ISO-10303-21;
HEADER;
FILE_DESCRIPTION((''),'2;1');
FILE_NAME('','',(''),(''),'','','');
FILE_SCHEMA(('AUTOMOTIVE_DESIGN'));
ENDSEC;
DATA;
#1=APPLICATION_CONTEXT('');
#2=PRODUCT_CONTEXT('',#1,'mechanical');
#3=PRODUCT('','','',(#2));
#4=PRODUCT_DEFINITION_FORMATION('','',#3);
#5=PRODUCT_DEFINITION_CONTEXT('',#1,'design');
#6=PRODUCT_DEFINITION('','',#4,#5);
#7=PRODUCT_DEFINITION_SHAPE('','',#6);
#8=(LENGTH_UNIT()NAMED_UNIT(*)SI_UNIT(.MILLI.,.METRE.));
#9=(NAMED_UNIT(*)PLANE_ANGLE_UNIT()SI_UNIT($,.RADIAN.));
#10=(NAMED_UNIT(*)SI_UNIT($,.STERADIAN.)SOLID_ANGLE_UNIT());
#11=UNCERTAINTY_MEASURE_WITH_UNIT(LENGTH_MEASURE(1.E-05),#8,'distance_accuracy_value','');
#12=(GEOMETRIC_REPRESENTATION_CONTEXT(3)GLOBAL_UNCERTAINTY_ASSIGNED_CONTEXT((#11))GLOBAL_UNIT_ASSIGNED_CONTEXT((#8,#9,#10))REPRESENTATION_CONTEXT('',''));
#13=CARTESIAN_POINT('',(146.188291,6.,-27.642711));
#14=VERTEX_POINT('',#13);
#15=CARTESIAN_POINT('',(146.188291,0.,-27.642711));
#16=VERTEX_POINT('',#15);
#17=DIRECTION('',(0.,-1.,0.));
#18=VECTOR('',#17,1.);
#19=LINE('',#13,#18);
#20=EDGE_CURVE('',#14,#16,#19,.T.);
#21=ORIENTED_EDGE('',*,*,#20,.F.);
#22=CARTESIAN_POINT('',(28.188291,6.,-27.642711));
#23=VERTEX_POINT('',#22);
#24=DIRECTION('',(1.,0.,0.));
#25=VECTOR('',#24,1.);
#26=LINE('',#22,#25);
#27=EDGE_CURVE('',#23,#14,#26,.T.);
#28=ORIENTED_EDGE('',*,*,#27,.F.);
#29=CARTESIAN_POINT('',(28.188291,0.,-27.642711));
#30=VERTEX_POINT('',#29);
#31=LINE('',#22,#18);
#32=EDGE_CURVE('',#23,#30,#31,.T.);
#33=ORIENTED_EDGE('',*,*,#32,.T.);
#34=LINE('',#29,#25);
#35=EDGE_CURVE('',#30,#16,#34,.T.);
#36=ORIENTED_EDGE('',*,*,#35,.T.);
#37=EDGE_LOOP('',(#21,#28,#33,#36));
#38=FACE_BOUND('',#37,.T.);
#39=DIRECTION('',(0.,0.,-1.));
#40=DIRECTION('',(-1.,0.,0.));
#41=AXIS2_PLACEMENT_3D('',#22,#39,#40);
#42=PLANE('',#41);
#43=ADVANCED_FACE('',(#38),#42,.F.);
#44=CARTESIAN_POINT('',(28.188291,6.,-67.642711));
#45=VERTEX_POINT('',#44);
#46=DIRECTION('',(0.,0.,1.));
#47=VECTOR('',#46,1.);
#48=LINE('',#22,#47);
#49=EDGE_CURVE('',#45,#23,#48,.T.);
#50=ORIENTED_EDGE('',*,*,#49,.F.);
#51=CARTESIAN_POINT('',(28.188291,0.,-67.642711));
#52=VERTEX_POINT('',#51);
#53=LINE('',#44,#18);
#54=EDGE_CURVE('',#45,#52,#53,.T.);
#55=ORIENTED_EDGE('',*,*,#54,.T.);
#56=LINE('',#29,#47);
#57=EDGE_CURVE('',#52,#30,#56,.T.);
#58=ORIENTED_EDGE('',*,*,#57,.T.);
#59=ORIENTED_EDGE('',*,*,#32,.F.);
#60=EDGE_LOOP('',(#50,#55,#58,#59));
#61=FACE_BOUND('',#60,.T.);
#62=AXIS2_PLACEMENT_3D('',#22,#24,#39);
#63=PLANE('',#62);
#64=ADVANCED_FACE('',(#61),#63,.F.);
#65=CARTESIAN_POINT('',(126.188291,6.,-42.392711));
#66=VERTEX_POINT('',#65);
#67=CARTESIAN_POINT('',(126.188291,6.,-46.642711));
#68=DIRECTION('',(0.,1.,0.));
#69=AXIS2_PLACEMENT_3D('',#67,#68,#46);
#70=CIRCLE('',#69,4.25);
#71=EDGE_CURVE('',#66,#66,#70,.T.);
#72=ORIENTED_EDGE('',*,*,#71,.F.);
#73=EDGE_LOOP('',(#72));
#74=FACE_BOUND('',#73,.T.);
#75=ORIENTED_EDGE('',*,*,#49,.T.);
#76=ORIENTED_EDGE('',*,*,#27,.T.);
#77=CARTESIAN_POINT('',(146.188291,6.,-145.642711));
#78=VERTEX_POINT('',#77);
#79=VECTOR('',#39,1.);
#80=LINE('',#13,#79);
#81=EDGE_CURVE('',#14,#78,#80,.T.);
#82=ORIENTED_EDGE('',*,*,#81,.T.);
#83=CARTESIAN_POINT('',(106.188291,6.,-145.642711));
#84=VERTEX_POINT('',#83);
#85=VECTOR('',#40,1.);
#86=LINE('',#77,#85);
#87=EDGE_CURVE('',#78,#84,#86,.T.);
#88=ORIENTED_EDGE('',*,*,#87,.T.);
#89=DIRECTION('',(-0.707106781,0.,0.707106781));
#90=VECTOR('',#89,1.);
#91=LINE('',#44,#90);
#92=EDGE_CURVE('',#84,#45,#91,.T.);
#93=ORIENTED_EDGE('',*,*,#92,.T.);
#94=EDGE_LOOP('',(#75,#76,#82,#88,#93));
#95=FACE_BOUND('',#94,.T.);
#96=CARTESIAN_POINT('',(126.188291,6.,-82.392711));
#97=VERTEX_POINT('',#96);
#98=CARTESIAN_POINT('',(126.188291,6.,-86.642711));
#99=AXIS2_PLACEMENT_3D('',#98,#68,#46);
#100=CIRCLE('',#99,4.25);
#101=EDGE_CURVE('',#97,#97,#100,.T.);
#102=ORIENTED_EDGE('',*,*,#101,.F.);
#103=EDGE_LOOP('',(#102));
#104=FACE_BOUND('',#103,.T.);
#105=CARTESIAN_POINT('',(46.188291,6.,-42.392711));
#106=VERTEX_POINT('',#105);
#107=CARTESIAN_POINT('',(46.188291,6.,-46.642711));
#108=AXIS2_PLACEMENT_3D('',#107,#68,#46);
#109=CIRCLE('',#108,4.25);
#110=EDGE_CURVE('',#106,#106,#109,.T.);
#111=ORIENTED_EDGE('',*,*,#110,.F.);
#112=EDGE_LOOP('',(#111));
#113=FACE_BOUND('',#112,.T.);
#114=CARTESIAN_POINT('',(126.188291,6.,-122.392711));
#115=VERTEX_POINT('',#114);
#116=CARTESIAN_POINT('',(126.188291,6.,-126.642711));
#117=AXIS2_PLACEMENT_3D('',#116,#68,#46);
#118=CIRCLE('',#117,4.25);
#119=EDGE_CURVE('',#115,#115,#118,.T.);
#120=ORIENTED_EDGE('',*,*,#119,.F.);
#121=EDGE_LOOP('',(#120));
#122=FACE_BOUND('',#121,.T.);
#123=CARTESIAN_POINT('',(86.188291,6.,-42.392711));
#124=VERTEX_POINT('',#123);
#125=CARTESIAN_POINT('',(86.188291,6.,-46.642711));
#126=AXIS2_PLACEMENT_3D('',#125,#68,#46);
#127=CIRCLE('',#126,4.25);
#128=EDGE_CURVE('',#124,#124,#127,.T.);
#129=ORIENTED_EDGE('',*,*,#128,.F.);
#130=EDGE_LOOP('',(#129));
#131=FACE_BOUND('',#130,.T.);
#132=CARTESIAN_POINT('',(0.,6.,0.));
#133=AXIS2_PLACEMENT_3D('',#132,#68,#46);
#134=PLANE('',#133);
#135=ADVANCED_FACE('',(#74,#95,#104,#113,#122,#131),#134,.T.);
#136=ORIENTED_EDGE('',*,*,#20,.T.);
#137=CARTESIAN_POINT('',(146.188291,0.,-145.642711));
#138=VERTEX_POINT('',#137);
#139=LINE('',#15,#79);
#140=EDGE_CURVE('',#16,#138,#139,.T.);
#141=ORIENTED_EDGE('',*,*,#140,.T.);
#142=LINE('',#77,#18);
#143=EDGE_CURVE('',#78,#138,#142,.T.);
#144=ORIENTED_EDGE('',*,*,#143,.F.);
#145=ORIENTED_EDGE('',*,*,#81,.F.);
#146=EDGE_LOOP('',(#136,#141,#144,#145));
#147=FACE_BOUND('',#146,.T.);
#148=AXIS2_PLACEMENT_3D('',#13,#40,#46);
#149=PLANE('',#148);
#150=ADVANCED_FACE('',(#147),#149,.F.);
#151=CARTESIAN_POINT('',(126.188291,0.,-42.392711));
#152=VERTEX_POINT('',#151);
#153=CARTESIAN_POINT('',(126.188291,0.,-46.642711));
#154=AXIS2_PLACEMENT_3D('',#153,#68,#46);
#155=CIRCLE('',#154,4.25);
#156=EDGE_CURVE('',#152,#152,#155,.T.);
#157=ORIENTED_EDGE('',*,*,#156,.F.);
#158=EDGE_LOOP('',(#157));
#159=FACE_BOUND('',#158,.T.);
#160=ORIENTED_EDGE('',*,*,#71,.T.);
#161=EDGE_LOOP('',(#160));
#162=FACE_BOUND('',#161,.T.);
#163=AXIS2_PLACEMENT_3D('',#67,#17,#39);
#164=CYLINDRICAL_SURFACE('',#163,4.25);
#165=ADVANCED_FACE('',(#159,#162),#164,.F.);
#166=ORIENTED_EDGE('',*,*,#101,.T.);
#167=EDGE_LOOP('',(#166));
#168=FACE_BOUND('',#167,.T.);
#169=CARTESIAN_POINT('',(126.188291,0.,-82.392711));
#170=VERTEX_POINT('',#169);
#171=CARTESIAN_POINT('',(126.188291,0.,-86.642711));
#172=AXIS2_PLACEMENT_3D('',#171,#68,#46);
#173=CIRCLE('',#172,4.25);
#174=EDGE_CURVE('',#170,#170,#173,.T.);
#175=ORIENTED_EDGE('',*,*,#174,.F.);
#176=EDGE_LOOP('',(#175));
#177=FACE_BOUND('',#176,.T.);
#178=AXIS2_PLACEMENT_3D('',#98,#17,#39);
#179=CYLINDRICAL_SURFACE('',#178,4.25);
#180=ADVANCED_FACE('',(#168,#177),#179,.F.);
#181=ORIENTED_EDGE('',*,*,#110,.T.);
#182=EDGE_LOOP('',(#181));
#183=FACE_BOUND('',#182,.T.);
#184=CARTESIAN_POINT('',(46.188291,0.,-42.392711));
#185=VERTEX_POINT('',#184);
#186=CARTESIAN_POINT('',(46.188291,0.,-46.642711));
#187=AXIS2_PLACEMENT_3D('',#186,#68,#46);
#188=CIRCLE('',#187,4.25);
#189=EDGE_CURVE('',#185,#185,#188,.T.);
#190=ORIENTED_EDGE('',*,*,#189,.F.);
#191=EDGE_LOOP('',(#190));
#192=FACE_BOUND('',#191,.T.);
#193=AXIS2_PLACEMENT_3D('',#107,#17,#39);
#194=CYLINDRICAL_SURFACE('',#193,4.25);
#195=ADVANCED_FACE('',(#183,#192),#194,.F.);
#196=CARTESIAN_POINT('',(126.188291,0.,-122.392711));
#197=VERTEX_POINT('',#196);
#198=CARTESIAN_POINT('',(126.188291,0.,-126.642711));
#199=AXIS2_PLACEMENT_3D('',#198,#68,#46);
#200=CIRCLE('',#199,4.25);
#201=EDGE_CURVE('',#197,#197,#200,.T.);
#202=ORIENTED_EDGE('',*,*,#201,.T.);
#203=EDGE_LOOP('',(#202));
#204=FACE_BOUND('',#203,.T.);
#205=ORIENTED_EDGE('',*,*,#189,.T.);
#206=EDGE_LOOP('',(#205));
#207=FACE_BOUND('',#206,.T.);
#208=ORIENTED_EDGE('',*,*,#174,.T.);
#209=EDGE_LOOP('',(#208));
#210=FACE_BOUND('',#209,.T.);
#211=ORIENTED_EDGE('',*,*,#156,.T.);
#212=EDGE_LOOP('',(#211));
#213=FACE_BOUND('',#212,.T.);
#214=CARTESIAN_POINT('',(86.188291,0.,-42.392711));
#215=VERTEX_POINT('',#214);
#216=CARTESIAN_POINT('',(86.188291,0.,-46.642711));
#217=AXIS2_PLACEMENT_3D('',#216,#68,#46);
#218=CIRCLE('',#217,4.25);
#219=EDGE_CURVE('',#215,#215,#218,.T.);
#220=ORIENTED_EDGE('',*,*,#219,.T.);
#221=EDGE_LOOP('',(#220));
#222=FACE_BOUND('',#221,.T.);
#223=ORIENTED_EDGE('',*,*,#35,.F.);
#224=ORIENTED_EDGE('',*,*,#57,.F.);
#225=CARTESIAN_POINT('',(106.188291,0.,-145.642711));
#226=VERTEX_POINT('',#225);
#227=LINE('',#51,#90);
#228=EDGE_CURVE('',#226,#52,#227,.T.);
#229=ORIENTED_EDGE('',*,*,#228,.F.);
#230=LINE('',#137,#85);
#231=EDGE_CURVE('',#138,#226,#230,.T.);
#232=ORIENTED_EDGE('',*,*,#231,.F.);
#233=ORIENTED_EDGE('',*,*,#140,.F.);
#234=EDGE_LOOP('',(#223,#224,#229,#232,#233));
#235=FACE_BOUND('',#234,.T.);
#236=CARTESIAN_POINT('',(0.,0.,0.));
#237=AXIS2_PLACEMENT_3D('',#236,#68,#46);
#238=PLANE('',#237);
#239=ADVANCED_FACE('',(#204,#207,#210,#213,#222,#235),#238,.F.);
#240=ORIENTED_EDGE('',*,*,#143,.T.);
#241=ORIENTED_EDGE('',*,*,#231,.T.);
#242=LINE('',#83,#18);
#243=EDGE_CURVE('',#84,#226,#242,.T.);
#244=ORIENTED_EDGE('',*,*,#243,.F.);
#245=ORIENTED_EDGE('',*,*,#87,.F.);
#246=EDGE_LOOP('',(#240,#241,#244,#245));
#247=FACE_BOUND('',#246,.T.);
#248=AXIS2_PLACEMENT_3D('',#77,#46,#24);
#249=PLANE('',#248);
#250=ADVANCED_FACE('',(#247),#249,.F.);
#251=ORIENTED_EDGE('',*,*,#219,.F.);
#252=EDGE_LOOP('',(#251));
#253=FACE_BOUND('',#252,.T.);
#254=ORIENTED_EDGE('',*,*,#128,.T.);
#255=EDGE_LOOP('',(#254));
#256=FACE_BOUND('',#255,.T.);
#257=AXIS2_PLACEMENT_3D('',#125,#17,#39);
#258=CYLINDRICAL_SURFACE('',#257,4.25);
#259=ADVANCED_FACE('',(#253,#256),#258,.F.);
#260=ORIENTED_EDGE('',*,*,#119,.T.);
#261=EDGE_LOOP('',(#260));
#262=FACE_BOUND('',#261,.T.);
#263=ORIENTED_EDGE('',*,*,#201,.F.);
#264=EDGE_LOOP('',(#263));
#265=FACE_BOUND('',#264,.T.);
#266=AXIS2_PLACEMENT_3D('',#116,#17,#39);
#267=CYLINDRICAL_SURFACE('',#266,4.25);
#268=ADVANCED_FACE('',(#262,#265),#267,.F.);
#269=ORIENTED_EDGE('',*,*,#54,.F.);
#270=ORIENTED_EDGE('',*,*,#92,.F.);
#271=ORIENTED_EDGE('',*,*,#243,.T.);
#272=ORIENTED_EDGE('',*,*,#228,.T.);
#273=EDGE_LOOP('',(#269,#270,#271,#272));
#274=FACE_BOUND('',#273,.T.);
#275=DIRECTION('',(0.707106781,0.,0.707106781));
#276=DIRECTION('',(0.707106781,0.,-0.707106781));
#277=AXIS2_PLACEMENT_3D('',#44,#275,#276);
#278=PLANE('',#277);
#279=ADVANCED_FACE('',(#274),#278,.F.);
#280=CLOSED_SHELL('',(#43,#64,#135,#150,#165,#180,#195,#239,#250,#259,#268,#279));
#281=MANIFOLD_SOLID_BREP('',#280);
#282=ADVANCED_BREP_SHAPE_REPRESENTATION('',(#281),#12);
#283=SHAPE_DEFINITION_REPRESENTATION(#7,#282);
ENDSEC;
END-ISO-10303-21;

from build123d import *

# Parameters (mm, degrees)
SKETCH_1_R      = 4.25
EXTRUDE_1_DEPTH = 6


with BuildPart() as part:
    # 草图1 → 凸台-拉伸1 (new body)
    with BuildSketch(Plane(origin=(0, 0, 0), x_dir=(1, 0, 0), z_dir=(0, 1, 0))):
        Polygon((28.188290634, 27.642710816), (146.188290634, 27.642710816), (146.188290634, 145.642710816), (106.188290634, 145.642710816), (28.188290634, 67.642710816), align=None)
        with Locations(Location((126.188290634, 126.642710816, 0), (0, 0, 270))):
            Circle(SKETCH_1_R, mode=Mode.SUBTRACT)
        with Locations(Location((126.188290634, 86.642710816, 0), (0, 0, 270))):
            Circle(SKETCH_1_R, mode=Mode.SUBTRACT)
        with Locations(Location((126.188290634, 46.642710816, 0), (0, 0, 270))):
            Circle(SKETCH_1_R, mode=Mode.SUBTRACT)
        with Locations(Location((86.188290634, 46.642710816, 0), (0, 0, 270))):
            Circle(SKETCH_1_R, mode=Mode.SUBTRACT)
        with Locations(Location((46.188290634, 46.642710816, 0), (0, 0, 270))):
            Circle(SKETCH_1_R, mode=Mode.SUBTRACT)
    extrude(amount=EXTRUDE_1_DEPTH)


solid = part.part
